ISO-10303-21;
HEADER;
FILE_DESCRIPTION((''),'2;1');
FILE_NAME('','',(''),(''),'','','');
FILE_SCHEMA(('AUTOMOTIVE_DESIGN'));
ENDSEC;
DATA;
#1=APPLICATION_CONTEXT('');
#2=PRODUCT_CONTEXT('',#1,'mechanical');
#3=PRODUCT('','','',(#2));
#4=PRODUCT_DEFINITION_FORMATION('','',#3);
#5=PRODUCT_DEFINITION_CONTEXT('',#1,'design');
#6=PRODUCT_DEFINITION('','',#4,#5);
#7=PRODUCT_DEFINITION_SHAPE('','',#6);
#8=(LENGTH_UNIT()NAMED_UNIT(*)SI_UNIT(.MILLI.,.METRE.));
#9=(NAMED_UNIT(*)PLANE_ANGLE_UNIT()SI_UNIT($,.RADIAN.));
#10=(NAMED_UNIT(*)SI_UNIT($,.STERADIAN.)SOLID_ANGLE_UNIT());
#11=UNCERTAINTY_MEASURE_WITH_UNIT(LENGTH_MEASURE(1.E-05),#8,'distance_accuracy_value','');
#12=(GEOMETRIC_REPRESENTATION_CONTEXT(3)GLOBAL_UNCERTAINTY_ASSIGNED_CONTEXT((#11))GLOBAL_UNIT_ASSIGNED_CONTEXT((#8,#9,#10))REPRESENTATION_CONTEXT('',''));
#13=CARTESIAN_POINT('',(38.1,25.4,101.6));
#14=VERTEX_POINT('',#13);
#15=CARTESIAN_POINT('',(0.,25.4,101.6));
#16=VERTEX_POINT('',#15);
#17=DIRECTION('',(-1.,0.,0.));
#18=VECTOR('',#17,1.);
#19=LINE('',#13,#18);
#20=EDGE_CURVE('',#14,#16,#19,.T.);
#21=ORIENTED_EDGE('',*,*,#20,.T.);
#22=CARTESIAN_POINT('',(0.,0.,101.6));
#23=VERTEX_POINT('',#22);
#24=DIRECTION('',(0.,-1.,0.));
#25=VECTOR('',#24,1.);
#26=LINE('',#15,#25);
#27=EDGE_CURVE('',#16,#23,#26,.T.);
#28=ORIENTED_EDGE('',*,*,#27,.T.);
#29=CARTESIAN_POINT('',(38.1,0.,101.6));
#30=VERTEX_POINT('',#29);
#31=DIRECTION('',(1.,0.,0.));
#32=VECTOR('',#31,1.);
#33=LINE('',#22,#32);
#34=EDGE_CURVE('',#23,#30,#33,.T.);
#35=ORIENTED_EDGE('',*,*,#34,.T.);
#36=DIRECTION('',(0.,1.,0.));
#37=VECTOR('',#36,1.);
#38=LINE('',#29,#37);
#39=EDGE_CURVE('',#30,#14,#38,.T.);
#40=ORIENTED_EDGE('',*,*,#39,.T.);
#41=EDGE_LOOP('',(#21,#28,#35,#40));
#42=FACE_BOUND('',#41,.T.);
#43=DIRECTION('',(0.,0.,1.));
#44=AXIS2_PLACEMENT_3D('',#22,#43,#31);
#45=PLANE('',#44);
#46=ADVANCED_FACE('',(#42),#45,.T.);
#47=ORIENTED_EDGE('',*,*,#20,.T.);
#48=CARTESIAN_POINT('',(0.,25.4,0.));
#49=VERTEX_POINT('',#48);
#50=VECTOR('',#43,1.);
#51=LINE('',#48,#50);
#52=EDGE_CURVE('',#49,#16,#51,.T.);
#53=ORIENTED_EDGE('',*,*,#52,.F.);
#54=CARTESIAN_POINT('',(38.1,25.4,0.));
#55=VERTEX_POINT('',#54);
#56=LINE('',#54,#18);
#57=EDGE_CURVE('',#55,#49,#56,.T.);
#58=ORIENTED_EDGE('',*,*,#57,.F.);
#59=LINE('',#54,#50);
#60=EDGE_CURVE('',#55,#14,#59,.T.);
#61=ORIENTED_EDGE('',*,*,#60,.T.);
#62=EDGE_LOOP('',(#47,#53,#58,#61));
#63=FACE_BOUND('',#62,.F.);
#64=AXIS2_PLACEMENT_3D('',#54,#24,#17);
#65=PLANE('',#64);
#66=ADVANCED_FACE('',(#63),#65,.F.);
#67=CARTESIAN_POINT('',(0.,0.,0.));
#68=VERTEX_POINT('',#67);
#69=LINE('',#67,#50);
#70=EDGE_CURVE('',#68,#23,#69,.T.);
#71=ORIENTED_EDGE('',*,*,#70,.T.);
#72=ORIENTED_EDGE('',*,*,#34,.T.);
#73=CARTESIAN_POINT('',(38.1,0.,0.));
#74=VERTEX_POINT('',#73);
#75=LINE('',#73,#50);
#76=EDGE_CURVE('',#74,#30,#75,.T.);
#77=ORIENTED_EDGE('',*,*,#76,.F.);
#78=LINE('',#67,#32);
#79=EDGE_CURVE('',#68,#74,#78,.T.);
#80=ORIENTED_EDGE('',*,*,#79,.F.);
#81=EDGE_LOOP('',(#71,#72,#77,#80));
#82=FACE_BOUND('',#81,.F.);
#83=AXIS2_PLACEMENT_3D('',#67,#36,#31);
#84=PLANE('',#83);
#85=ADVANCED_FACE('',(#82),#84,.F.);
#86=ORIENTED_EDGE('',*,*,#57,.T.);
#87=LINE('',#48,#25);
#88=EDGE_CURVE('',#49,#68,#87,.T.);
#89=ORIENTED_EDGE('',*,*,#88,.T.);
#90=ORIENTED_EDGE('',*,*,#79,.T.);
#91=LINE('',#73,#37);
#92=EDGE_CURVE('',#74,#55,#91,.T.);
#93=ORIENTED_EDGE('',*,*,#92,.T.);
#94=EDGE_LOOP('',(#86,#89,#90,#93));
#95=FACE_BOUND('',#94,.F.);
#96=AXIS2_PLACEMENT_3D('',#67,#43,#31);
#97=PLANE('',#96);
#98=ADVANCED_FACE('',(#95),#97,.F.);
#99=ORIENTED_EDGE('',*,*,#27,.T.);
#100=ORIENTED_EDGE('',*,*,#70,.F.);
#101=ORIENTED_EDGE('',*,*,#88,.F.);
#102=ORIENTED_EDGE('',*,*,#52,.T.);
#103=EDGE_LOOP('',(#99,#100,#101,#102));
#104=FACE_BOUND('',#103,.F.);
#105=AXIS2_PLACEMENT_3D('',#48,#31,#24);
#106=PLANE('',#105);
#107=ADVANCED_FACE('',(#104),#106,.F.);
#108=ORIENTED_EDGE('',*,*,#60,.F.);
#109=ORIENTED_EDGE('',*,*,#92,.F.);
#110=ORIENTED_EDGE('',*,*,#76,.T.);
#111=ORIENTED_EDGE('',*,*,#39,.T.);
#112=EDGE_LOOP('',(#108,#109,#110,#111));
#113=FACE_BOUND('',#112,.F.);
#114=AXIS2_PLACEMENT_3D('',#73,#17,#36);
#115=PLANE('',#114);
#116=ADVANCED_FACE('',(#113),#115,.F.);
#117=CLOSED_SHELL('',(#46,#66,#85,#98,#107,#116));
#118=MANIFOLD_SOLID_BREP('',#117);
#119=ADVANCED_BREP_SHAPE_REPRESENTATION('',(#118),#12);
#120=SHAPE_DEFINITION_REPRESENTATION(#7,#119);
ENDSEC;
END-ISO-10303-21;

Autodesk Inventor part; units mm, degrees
ref_plane "YZ Plane" through (0, 0, 0) normal (1, 0, 0) x (0, 1, 0)
ref_plane "XZ Plane" through (0, 0, 0) normal (0, 1, 0) x (-1, 0, 0)
ref_plane "XY Plane" through (0, 0, 0) normal (0, 0, 1) x (1, 0, 0)
sketch "Sketch1" plane through (0, 0, 0) normal (0, 0, 1) x (1, 0, 0)
  line L0 (0, 0) -> (38.1, 0)
  line L1 (38.1, 0) -> (38.1, 25.4)
  line L2 (38.1, 25.4) -> (0, 25.4)
  line L3 (0, 25.4) -> (0, 0)
  dimension "d0" = 38.1
  dimension "d1" = 25.4
extrude "Extrusion1" add sketch "Sketch1" along normal blind 101.6
properties part number "ArmVert"
